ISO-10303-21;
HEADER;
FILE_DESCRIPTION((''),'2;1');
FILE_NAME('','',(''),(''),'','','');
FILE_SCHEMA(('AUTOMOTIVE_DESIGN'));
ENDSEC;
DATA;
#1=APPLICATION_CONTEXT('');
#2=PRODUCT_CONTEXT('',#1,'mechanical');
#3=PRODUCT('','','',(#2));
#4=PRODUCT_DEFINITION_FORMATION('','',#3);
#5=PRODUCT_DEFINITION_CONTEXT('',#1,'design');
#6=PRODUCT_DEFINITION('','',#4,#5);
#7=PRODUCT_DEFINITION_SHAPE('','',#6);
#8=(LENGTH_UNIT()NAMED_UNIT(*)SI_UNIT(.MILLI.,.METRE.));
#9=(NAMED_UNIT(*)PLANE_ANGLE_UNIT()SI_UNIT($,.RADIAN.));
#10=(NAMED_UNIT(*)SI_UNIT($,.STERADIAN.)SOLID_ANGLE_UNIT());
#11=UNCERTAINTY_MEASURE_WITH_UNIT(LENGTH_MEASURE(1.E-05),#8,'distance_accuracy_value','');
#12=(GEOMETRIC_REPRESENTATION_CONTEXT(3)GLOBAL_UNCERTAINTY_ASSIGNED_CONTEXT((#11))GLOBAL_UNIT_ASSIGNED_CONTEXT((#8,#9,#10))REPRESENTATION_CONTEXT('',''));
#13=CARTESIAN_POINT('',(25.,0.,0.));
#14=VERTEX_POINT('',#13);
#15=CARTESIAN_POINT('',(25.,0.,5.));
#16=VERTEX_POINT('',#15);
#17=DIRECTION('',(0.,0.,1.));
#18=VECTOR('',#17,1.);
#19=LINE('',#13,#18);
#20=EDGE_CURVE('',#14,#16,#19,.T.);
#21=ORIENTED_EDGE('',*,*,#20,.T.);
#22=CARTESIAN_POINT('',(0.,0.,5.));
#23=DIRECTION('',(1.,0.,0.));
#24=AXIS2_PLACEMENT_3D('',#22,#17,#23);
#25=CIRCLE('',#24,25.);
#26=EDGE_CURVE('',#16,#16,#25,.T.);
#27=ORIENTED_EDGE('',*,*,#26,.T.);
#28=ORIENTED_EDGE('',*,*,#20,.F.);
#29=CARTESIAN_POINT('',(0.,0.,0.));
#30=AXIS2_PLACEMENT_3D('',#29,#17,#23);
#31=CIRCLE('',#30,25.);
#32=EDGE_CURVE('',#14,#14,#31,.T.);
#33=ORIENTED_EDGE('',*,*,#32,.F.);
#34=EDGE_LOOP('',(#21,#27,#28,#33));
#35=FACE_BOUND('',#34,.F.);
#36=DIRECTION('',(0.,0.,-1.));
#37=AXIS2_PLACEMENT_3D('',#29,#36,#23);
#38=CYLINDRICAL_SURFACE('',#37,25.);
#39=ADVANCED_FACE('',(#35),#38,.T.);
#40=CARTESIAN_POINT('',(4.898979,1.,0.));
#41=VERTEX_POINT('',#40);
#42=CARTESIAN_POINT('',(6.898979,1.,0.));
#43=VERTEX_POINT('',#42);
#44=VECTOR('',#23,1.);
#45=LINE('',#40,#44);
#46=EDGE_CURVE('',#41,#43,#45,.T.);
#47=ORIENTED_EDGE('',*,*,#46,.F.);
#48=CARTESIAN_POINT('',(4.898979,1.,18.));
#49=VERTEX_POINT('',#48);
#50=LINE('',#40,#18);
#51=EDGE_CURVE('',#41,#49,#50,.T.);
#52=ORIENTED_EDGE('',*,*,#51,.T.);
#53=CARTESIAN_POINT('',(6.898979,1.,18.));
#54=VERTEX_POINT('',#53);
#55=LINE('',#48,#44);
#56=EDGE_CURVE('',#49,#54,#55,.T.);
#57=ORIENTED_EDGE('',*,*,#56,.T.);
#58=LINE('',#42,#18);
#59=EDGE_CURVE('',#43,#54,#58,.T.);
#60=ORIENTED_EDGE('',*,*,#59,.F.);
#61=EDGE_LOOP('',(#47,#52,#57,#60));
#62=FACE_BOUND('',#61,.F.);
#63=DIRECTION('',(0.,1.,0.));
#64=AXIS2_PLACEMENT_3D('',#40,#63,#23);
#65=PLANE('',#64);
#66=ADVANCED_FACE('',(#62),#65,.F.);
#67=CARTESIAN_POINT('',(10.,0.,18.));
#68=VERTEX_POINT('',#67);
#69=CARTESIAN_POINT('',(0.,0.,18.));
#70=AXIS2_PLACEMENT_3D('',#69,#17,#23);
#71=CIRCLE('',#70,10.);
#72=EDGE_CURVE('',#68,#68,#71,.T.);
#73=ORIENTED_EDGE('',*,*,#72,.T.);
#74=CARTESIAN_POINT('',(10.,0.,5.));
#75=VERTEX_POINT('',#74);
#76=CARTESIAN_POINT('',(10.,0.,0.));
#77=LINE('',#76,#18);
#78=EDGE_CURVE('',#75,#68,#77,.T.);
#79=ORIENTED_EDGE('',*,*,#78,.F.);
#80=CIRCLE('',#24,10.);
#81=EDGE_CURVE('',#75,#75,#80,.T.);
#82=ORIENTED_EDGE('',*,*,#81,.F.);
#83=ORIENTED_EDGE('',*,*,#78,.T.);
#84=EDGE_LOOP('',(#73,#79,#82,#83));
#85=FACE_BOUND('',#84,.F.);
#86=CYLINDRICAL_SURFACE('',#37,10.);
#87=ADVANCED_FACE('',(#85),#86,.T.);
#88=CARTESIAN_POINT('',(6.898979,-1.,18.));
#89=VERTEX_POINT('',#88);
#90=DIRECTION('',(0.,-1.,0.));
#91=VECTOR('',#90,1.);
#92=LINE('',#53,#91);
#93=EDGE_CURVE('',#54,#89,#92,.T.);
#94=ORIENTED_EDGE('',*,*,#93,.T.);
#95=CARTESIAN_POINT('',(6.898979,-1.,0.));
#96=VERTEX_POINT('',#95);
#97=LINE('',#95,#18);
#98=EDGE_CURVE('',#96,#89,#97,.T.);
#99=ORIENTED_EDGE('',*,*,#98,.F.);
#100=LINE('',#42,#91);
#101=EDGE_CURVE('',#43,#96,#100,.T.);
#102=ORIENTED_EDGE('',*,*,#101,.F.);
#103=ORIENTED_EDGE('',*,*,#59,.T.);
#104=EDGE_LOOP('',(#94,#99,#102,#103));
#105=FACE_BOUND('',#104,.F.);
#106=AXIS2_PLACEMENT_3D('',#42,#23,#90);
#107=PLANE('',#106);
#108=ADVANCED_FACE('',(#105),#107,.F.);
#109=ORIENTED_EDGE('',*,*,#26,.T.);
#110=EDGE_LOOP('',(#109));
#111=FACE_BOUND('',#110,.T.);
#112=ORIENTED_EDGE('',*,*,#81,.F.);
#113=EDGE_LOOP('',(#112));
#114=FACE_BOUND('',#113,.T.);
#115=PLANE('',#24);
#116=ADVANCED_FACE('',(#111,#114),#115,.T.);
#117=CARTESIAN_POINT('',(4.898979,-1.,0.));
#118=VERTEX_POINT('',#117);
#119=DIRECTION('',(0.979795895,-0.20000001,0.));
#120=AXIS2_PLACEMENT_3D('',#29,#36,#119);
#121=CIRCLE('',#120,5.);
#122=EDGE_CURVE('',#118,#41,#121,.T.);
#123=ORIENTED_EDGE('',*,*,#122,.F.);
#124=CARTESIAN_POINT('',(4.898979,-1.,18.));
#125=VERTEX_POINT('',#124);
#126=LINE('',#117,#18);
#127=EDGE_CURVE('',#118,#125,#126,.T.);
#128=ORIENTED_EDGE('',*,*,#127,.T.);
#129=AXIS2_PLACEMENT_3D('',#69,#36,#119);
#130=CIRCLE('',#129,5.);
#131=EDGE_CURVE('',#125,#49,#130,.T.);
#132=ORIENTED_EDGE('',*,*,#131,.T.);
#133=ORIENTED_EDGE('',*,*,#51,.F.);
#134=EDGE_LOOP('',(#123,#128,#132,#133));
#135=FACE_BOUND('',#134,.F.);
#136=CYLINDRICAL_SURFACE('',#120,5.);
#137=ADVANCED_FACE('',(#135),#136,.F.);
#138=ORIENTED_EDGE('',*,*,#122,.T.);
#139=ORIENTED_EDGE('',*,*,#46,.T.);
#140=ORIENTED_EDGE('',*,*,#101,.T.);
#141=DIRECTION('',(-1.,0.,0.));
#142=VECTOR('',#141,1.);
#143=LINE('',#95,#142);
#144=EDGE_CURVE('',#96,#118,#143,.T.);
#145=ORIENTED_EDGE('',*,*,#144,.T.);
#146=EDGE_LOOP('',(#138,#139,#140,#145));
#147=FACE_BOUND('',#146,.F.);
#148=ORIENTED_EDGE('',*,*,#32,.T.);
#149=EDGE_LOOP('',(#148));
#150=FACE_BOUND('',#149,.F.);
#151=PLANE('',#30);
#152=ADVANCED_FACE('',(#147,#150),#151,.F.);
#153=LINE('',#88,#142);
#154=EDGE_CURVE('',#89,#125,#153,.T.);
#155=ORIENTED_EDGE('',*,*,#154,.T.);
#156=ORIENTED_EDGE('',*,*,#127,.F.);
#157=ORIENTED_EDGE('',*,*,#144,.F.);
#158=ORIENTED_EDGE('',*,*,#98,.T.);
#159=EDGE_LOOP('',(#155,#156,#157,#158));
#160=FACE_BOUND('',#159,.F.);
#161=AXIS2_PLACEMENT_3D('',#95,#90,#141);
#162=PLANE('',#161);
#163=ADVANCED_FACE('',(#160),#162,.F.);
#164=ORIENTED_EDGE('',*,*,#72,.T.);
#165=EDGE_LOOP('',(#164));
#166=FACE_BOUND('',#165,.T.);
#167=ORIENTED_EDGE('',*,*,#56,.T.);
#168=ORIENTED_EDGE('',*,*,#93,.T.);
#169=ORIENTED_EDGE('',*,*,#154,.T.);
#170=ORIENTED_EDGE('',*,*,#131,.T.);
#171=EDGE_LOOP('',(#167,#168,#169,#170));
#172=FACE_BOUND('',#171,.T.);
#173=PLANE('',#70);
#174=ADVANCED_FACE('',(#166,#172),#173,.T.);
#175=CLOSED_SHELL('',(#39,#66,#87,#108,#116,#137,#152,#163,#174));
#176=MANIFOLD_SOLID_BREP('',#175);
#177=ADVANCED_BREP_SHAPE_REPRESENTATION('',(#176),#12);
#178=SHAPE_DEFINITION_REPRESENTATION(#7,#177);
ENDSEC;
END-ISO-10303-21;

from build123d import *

# Parameters (mm, degrees)
F0_R     = 10
F1_DEPTH = 18
F0_R_2   = 25
F2_DEPTH = 5


with BuildPart() as f1:
    # F0 (on Top) → F1 (new body)
    with BuildSketch(Plane.XY):
        Circle(F0_R)
        with BuildLine():
            ThreePointArc((4.898979, -1), (-5, 0), (4.898979, 1))
            Line((4.898979, 1), (6.898979, 1))
            Line((6.898979, 1), (6.898979, -1))
            Line((6.898979, -1), (4.898979, -1))
        make_face(mode=Mode.SUBTRACT)
    extrude(amount=F1_DEPTH)

    # F0 (on Top) → F2 (join)
    with BuildSketch(Plane.XY):
        Circle(F0_R_2)
        Circle(F0_R, mode=Mode.SUBTRACT)
    extrude(amount=F2_DEPTH)


solid = f1.part
